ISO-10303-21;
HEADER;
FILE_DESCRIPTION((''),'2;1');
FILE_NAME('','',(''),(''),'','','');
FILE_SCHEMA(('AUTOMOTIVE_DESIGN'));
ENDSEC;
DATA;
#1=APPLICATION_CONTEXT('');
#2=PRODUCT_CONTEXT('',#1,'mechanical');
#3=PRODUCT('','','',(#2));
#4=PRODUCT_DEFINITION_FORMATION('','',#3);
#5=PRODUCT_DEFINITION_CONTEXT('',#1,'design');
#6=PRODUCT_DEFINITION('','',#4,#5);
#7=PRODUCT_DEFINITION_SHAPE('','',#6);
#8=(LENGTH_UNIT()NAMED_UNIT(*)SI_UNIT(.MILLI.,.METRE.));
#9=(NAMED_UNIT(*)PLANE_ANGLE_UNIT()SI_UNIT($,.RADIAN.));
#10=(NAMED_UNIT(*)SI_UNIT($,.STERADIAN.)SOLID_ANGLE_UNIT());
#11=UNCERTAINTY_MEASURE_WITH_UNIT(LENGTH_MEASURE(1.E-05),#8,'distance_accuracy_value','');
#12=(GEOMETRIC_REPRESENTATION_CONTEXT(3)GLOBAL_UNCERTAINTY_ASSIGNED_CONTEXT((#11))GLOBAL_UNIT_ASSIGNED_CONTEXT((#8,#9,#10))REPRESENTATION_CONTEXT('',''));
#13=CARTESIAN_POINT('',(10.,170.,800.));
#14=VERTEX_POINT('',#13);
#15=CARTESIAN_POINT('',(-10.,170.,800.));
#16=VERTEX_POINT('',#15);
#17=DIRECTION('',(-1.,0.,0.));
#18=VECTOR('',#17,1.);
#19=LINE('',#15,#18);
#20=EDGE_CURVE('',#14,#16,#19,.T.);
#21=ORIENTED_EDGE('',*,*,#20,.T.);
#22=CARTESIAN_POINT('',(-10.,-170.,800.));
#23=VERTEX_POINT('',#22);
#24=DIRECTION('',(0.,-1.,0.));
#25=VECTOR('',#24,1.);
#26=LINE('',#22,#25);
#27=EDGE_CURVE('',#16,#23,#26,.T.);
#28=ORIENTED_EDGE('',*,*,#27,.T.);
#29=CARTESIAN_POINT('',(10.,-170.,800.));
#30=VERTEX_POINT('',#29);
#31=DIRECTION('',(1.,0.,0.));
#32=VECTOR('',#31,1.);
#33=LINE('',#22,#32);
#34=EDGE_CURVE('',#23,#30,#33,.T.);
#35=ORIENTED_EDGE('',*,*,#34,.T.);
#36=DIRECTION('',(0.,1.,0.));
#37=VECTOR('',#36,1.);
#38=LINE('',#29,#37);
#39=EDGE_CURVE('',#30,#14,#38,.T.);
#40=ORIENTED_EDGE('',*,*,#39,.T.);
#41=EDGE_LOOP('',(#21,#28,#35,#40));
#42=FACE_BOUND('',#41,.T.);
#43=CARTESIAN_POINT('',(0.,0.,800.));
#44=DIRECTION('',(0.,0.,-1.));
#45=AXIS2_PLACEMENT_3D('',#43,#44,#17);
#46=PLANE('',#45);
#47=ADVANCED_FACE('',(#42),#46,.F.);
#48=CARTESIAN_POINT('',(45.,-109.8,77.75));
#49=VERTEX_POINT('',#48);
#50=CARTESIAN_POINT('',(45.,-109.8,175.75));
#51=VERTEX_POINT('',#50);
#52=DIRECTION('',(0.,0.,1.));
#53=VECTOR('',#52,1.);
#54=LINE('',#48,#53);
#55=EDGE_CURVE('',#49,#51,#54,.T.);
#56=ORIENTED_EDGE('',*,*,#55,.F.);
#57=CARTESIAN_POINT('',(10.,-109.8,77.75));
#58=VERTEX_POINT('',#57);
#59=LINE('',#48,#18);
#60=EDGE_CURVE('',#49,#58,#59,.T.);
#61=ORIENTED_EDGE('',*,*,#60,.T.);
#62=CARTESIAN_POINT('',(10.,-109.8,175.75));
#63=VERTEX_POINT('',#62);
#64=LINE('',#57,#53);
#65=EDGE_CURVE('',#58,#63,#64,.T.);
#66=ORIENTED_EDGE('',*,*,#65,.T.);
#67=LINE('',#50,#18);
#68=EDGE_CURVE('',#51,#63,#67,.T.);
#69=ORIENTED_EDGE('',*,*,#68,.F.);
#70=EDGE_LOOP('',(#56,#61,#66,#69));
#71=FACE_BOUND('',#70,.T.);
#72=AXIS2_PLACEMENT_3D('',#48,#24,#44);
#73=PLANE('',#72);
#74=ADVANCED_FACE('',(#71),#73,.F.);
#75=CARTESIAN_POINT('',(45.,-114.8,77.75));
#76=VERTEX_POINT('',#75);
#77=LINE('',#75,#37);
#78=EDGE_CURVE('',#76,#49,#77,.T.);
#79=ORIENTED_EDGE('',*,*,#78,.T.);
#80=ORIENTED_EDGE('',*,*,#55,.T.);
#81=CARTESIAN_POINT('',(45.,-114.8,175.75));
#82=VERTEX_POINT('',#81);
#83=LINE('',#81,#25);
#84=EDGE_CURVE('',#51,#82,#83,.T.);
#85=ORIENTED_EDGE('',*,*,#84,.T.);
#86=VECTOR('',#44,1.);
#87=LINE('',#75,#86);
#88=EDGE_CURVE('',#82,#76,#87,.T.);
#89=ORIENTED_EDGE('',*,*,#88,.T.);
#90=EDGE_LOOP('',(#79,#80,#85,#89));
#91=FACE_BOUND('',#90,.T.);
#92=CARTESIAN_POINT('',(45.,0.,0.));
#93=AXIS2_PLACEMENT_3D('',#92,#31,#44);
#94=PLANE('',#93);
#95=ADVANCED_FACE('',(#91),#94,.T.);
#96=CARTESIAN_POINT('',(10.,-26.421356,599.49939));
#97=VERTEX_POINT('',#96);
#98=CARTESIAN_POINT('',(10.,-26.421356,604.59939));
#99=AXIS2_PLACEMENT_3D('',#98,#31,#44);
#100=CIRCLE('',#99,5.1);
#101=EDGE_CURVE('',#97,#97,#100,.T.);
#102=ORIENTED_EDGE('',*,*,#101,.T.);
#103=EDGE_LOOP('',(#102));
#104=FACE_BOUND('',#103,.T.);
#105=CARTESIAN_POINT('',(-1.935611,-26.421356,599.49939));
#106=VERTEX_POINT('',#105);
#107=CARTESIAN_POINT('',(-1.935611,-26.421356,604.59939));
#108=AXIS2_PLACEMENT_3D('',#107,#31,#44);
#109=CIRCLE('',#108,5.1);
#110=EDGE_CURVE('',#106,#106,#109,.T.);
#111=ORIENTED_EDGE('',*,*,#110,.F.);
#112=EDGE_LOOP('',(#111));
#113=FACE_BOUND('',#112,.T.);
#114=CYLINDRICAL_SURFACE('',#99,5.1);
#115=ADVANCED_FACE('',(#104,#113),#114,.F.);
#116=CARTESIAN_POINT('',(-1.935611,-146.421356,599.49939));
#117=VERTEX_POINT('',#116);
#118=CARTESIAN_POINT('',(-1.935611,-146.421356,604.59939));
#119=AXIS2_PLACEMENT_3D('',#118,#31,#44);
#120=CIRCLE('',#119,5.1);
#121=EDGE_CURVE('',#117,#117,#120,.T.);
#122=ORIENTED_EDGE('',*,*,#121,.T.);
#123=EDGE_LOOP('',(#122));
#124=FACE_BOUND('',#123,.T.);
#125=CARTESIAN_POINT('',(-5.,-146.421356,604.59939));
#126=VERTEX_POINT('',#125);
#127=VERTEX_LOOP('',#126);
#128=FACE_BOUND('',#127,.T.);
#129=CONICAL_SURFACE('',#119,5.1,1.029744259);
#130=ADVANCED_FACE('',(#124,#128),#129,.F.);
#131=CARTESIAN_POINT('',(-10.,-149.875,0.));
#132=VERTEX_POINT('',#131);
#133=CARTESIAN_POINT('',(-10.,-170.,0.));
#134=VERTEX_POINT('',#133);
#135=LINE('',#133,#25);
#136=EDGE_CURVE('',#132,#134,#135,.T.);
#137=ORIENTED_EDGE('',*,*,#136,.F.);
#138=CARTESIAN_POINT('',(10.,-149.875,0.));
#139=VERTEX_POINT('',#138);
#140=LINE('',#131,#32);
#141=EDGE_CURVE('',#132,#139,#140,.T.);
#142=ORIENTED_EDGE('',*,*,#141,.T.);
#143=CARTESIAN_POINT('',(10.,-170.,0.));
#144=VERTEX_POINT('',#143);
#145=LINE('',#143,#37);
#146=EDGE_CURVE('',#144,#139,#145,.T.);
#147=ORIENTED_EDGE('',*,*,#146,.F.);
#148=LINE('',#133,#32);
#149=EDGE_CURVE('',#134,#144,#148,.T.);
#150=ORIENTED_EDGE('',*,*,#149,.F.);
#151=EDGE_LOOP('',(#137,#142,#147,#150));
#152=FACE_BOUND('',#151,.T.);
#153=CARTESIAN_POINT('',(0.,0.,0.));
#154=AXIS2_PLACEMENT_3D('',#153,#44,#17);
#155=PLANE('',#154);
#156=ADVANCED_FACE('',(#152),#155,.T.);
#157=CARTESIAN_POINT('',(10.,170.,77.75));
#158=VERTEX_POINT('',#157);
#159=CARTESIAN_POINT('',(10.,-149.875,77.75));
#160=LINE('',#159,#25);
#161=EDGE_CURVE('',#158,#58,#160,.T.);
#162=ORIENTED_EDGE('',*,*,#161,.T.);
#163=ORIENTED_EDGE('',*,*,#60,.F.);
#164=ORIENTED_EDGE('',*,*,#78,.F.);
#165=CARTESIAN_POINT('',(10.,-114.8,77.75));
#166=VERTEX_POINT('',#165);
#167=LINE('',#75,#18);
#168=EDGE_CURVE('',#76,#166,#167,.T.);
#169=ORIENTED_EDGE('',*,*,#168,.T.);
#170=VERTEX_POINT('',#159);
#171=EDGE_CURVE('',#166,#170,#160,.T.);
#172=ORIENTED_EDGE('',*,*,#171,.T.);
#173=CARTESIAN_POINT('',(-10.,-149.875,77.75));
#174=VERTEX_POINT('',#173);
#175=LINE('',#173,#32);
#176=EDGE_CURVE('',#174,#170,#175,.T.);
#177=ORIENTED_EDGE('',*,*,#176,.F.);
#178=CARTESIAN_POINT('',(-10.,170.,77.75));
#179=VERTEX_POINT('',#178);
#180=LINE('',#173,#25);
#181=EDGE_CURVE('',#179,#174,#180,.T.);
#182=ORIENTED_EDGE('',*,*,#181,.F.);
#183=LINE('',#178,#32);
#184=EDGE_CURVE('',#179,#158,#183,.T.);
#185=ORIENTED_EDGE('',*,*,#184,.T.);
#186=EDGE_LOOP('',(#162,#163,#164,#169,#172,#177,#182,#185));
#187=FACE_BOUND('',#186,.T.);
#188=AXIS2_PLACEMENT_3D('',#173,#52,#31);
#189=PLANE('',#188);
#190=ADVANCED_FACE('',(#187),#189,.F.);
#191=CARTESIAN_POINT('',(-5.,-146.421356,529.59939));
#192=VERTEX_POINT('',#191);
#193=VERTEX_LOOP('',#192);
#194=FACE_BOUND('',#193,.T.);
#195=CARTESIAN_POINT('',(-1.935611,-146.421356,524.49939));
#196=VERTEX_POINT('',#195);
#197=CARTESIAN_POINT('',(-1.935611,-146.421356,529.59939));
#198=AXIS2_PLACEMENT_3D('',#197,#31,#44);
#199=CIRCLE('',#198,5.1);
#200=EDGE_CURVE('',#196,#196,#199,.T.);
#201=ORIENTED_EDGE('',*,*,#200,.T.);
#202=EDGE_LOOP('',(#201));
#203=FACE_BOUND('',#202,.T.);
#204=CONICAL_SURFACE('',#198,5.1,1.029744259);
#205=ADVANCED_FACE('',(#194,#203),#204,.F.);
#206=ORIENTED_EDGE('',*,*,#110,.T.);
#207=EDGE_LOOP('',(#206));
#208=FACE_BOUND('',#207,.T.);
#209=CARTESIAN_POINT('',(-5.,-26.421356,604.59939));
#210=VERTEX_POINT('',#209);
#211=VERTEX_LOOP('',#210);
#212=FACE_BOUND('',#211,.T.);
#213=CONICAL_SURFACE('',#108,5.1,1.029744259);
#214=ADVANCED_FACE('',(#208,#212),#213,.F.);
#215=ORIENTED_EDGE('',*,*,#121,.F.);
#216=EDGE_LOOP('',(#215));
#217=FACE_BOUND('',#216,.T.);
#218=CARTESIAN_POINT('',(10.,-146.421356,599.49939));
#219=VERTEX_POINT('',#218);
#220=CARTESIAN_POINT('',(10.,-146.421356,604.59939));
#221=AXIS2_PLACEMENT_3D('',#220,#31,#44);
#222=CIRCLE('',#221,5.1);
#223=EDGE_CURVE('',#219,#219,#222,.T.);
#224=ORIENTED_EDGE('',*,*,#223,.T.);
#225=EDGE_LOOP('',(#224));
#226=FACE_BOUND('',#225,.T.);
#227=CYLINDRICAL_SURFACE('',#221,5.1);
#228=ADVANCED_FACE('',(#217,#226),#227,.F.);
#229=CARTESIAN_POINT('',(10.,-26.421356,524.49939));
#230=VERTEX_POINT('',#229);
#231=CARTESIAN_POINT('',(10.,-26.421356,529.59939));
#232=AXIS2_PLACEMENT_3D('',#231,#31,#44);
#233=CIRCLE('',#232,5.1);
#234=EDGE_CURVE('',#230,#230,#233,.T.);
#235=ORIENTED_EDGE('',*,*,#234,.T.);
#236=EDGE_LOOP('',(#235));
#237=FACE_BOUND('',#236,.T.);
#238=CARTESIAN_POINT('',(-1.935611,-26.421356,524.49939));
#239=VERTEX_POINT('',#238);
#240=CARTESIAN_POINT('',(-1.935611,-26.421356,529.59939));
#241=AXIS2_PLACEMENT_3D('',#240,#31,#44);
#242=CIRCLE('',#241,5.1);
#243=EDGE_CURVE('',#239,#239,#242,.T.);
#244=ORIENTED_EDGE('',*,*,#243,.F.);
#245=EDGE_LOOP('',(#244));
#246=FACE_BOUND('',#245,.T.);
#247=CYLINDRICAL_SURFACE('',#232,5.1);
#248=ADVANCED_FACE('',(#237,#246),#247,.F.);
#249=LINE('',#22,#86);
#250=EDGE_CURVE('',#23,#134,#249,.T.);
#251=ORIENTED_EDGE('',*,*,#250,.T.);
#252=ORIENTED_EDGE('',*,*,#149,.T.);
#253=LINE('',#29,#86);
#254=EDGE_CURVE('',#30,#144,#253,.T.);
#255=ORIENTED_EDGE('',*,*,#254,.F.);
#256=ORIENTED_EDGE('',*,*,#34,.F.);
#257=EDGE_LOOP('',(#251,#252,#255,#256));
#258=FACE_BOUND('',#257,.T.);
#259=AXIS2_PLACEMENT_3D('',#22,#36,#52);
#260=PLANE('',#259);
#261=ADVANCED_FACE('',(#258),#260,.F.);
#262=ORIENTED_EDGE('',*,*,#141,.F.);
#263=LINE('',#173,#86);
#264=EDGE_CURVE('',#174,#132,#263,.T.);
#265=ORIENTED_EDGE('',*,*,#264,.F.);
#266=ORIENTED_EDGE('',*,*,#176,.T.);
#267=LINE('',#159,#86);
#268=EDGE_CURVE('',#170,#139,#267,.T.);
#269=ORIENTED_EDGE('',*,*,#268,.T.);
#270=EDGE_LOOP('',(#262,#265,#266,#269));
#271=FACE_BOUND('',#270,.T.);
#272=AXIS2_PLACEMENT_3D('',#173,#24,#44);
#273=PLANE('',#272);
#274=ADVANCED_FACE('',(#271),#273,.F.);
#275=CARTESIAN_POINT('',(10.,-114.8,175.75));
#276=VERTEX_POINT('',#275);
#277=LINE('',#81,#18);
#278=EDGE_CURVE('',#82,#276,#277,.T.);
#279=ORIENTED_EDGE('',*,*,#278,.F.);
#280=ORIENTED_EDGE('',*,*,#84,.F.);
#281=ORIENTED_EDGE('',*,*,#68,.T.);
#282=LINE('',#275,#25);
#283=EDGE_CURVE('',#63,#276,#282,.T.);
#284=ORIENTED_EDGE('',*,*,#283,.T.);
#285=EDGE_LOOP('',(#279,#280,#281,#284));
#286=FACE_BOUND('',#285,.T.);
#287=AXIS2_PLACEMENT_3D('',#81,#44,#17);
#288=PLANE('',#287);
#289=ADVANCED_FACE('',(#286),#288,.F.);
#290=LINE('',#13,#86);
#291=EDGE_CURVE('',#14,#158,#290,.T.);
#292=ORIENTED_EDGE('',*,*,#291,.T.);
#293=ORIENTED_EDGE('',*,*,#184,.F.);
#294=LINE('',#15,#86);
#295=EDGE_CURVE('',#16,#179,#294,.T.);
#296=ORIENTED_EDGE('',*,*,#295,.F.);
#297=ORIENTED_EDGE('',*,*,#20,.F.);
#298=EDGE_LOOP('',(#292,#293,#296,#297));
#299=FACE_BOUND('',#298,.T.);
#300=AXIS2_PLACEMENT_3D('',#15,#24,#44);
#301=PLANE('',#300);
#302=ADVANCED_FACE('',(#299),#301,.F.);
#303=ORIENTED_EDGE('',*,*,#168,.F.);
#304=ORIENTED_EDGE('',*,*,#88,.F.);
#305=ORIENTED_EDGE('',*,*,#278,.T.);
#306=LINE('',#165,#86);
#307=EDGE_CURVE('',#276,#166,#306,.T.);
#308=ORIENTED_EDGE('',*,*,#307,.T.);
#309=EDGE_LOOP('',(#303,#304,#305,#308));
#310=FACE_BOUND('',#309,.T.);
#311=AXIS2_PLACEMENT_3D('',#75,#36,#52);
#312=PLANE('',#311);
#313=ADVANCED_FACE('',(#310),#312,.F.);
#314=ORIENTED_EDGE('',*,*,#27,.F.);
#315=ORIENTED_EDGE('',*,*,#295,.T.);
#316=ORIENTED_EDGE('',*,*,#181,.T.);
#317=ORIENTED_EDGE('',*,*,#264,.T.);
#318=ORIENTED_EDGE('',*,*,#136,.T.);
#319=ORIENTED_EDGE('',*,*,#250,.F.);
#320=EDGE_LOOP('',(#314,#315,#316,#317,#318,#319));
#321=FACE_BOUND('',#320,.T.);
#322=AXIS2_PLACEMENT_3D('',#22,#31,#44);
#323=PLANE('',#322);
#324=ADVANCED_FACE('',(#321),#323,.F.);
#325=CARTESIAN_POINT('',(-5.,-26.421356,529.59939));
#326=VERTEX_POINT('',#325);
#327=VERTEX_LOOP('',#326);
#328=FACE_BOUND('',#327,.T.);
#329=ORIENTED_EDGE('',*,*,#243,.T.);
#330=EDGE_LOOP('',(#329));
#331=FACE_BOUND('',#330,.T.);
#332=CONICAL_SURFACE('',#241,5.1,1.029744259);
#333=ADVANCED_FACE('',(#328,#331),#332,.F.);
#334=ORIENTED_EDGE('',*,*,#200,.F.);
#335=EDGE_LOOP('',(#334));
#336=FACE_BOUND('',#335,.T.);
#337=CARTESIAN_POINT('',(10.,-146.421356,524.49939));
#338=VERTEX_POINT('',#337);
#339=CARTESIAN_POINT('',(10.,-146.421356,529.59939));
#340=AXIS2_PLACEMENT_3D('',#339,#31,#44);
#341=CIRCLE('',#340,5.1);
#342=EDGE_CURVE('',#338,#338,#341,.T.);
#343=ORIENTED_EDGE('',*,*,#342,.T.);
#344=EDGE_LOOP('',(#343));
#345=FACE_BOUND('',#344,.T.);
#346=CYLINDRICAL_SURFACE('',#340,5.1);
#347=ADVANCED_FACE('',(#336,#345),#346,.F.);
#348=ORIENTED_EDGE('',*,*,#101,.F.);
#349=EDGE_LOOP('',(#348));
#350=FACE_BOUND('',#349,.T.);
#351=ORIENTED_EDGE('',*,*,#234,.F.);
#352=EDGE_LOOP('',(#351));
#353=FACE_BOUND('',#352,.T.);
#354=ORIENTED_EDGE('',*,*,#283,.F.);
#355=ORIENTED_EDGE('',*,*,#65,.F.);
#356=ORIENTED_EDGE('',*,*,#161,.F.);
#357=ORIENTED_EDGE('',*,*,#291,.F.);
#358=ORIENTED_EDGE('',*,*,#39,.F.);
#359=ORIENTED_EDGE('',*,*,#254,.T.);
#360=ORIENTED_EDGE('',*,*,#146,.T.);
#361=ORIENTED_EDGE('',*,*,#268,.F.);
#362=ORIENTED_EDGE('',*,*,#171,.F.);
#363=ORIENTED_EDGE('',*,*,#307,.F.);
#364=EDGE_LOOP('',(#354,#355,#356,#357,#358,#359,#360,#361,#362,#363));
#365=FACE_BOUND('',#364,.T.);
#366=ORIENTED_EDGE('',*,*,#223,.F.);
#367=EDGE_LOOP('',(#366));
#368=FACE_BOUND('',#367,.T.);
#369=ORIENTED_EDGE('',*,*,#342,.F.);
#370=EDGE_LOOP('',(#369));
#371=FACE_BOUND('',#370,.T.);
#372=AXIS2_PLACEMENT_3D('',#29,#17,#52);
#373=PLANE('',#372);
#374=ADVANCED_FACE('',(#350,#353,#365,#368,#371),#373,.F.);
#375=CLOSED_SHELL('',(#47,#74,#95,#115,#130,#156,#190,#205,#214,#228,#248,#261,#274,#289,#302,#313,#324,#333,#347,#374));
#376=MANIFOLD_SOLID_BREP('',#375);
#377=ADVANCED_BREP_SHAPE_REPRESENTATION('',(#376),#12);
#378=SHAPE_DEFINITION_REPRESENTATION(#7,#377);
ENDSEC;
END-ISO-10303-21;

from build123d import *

# Parameters (mm, degrees)
SKETCH_1_W              = 20
SKETCH_1_H              = 340
EXTRUDE_1_DEPTH         = 800
HOLE_WIZARD_M12_1_D     = 10.2
HOLE_WIZARD_M12_1_DEPTH = 11.935610843
HOLE_WIZARD_M12_1_TIP   = 3.064389157
SKETCH_5_W              = 77.75
SKETCH_5_H              = 319.875
CUT_EXTRUDE_1_DEPTH     = 819.107572389
SKETCH_6_W              = 98
SKETCH_6_H              = 5
EXTRUDE_2_DEPTH         = 35


with BuildPart() as part:
    # 草图1 → 凸台-拉伸1 (new body)
    with BuildSketch(Plane.XY):
        Rectangle(SKETCH_1_W, SKETCH_1_H)
    extrude(amount=EXTRUDE_1_DEPTH)

    # M12 螺纹孔1
    with Locations(Plane(origin=(10, 0, 0), x_dir=(0, 0, -1), z_dir=(1, 0, 0))):
        with Locations((-529.599389894, -26.421356237), (-529.599389894, -146.421356237), (-604.599389894, -146.421356237), (-604.599389894, -26.421356237)):
            Hole(HOLE_WIZARD_M12_1_D / 2, depth=HOLE_WIZARD_M12_1_DEPTH)
            with Locations((0, 0, -(HOLE_WIZARD_M12_1_DEPTH + HOLE_WIZARD_M12_1_TIP / 2))):  # 118° drill point
                Cone(0, HOLE_WIZARD_M12_1_D / 2, HOLE_WIZARD_M12_1_TIP, mode=Mode.SUBTRACT)

    # 草图5 → 切除-拉伸1 (cut, through all)
    with BuildSketch(Plane(origin=(10, 0, 0), x_dir=(0, 0, -1), z_dir=(1, 0, 0))):
        with Locations((-38.875, 10.0625)):
            Rectangle(SKETCH_5_W, SKETCH_5_H)
    extrude(amount=-CUT_EXTRUDE_1_DEPTH, mode=Mode.SUBTRACT)

    # 草图6 → 凸台-拉伸2 (add)
    with BuildSketch(Plane(origin=(10, 0, 0), x_dir=(0, 0, -1), z_dir=(1, 0, 0))):
        with Locations((-126.75, -112.3)):
            Rectangle(SKETCH_6_W, SKETCH_6_H)
    extrude(amount=EXTRUDE_2_DEPTH)


solid = part.part
